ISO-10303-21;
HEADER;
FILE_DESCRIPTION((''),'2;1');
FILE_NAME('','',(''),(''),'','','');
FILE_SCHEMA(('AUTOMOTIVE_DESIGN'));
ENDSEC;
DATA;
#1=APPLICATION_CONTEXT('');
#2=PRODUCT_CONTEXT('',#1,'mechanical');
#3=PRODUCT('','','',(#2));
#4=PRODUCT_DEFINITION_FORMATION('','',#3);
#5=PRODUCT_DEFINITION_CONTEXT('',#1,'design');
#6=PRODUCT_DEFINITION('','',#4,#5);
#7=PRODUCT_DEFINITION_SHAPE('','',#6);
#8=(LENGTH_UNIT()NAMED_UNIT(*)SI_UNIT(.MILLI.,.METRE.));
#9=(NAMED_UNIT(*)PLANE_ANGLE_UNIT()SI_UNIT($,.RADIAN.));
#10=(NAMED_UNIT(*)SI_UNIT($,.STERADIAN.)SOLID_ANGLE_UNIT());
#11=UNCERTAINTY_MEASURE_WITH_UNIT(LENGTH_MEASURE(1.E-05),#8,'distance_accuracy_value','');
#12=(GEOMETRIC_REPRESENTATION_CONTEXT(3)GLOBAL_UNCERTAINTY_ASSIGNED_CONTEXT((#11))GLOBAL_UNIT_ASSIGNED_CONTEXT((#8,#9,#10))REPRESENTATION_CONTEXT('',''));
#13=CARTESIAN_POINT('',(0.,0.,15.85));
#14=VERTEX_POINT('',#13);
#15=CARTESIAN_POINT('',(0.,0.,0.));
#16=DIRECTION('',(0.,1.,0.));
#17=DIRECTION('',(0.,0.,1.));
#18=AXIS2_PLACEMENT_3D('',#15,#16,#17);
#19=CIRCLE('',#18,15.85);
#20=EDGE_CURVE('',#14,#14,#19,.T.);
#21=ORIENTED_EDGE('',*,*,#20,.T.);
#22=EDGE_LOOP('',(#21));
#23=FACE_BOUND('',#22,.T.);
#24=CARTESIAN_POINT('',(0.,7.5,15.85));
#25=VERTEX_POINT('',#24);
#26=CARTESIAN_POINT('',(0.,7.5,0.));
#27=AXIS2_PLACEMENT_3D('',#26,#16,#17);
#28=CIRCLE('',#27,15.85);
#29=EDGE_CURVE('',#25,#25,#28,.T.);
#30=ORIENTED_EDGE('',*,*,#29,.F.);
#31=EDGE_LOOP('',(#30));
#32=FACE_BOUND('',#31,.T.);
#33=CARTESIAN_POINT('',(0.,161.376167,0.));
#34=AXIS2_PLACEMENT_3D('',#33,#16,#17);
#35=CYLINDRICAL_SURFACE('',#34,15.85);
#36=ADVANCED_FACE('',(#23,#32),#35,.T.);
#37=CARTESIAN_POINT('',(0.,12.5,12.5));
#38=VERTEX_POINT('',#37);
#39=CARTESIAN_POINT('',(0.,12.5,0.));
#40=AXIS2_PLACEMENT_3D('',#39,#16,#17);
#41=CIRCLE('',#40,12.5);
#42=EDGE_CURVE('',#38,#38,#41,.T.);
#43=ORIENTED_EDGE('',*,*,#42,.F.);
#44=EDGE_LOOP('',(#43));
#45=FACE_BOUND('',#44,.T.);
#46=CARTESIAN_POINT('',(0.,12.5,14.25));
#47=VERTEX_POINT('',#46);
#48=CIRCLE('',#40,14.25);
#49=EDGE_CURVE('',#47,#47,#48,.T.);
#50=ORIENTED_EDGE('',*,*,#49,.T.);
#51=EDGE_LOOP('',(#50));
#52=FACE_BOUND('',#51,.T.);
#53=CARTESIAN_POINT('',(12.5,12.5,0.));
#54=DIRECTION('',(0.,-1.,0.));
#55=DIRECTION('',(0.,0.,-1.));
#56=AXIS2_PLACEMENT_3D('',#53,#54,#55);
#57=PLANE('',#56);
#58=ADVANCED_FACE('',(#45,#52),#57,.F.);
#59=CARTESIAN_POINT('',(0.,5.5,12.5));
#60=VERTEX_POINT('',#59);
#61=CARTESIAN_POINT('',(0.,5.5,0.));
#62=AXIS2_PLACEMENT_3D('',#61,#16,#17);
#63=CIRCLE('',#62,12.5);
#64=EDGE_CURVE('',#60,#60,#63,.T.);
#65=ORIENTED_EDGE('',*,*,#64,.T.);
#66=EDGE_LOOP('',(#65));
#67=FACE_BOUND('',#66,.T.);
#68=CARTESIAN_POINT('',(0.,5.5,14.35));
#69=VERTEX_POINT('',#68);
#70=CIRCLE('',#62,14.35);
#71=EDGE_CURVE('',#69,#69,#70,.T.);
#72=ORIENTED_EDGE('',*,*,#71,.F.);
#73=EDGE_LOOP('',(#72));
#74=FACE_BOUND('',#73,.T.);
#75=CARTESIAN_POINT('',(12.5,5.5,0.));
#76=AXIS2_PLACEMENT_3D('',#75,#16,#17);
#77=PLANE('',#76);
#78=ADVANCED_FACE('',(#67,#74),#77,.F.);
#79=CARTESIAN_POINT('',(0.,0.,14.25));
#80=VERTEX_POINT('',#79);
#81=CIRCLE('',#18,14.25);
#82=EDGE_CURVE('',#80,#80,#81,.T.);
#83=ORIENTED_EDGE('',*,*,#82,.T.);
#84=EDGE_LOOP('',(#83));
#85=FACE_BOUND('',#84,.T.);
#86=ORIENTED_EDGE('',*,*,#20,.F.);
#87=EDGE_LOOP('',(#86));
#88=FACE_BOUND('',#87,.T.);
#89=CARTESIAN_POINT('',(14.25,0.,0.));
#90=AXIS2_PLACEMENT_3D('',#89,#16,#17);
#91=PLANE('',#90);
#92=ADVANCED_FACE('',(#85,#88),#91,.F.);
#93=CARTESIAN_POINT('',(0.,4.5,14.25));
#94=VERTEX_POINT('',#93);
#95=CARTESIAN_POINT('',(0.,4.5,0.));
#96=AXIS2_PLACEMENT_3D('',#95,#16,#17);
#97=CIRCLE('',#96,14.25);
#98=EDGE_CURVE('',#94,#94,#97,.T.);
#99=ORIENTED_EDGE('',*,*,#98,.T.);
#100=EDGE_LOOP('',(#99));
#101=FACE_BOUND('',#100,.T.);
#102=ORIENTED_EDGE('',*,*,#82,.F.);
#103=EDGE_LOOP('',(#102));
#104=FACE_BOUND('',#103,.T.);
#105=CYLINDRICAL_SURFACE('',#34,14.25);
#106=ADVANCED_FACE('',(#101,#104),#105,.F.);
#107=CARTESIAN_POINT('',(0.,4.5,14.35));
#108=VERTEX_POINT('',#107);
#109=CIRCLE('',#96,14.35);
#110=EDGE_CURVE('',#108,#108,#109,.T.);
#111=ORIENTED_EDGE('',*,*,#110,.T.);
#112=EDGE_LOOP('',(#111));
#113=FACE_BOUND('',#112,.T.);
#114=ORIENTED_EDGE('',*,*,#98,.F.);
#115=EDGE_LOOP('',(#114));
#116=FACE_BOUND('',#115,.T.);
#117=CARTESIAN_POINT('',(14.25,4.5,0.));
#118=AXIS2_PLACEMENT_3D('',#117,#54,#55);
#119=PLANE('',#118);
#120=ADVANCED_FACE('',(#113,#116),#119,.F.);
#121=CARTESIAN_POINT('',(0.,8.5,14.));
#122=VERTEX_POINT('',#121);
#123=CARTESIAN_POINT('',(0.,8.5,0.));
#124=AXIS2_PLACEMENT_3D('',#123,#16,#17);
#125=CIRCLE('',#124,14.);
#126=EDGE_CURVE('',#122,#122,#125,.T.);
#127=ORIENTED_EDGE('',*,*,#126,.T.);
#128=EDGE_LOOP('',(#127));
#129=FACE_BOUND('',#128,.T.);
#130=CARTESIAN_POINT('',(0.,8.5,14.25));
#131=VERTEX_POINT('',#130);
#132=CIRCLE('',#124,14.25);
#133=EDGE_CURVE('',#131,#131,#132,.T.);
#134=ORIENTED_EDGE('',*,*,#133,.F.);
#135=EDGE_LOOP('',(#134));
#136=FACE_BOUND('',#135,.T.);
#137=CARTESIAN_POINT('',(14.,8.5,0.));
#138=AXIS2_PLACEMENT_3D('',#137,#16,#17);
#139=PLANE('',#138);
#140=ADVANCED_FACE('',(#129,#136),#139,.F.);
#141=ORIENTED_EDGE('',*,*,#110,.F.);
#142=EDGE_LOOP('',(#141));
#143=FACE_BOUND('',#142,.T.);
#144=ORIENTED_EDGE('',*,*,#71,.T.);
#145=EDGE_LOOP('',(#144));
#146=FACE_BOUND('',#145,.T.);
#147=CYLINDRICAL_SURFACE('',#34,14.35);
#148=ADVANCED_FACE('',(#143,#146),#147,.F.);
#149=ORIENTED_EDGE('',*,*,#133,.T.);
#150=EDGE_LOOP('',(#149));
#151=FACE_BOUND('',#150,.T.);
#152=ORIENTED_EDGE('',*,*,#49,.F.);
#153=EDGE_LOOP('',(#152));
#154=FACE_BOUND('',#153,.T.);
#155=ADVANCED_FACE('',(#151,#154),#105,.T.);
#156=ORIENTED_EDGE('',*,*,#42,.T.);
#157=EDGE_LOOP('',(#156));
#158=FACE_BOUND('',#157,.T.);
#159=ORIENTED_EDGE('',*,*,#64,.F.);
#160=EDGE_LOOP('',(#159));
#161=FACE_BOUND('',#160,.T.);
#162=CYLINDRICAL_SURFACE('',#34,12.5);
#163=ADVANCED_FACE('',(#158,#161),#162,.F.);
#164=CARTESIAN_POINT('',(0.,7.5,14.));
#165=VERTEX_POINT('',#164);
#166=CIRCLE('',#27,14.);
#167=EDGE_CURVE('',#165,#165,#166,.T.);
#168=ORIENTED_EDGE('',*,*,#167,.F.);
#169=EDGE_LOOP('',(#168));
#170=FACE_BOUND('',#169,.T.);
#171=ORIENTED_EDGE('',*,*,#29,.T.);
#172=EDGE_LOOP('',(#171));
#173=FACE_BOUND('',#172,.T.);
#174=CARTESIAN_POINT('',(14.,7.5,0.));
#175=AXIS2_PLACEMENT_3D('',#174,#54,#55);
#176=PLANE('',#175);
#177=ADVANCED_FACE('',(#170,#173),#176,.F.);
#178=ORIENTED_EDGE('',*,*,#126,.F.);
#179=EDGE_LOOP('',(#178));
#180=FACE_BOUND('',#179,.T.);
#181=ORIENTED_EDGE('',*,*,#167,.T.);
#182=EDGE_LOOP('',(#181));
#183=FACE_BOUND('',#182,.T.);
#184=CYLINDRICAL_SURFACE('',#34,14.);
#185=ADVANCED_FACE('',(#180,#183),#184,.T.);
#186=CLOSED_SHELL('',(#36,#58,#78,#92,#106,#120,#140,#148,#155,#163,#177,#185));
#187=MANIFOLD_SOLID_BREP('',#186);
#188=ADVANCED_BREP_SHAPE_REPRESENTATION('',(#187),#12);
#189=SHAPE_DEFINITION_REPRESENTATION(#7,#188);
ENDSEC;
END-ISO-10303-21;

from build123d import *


with BuildPart() as part:
    # 草图1 → 旋转1 (revolve)
    with BuildSketch(Plane.XY, mode=Mode.PRIVATE) as revolve_1_sk:
        Polygon((14.25, 0), (14.25, 4.5), (14.35, 4.5), (14.35, 5.5), (12.5, 5.5), (12.5, 12.5), (14.25, 12.5), (14.25, 8.5), (14, 8.5), (14, 7.5), (15.85, 7.5), (15.85, 0), align=None)
    revolve(revolve_1_sk.sketch.rotate(Axis((0, 161.376166943, 0), (0, -1, 0)), 90), axis=Axis((0, 161.376166943, 0), (0, -1, 0)))  # turned: the seam where the file's is


solid = part.part
